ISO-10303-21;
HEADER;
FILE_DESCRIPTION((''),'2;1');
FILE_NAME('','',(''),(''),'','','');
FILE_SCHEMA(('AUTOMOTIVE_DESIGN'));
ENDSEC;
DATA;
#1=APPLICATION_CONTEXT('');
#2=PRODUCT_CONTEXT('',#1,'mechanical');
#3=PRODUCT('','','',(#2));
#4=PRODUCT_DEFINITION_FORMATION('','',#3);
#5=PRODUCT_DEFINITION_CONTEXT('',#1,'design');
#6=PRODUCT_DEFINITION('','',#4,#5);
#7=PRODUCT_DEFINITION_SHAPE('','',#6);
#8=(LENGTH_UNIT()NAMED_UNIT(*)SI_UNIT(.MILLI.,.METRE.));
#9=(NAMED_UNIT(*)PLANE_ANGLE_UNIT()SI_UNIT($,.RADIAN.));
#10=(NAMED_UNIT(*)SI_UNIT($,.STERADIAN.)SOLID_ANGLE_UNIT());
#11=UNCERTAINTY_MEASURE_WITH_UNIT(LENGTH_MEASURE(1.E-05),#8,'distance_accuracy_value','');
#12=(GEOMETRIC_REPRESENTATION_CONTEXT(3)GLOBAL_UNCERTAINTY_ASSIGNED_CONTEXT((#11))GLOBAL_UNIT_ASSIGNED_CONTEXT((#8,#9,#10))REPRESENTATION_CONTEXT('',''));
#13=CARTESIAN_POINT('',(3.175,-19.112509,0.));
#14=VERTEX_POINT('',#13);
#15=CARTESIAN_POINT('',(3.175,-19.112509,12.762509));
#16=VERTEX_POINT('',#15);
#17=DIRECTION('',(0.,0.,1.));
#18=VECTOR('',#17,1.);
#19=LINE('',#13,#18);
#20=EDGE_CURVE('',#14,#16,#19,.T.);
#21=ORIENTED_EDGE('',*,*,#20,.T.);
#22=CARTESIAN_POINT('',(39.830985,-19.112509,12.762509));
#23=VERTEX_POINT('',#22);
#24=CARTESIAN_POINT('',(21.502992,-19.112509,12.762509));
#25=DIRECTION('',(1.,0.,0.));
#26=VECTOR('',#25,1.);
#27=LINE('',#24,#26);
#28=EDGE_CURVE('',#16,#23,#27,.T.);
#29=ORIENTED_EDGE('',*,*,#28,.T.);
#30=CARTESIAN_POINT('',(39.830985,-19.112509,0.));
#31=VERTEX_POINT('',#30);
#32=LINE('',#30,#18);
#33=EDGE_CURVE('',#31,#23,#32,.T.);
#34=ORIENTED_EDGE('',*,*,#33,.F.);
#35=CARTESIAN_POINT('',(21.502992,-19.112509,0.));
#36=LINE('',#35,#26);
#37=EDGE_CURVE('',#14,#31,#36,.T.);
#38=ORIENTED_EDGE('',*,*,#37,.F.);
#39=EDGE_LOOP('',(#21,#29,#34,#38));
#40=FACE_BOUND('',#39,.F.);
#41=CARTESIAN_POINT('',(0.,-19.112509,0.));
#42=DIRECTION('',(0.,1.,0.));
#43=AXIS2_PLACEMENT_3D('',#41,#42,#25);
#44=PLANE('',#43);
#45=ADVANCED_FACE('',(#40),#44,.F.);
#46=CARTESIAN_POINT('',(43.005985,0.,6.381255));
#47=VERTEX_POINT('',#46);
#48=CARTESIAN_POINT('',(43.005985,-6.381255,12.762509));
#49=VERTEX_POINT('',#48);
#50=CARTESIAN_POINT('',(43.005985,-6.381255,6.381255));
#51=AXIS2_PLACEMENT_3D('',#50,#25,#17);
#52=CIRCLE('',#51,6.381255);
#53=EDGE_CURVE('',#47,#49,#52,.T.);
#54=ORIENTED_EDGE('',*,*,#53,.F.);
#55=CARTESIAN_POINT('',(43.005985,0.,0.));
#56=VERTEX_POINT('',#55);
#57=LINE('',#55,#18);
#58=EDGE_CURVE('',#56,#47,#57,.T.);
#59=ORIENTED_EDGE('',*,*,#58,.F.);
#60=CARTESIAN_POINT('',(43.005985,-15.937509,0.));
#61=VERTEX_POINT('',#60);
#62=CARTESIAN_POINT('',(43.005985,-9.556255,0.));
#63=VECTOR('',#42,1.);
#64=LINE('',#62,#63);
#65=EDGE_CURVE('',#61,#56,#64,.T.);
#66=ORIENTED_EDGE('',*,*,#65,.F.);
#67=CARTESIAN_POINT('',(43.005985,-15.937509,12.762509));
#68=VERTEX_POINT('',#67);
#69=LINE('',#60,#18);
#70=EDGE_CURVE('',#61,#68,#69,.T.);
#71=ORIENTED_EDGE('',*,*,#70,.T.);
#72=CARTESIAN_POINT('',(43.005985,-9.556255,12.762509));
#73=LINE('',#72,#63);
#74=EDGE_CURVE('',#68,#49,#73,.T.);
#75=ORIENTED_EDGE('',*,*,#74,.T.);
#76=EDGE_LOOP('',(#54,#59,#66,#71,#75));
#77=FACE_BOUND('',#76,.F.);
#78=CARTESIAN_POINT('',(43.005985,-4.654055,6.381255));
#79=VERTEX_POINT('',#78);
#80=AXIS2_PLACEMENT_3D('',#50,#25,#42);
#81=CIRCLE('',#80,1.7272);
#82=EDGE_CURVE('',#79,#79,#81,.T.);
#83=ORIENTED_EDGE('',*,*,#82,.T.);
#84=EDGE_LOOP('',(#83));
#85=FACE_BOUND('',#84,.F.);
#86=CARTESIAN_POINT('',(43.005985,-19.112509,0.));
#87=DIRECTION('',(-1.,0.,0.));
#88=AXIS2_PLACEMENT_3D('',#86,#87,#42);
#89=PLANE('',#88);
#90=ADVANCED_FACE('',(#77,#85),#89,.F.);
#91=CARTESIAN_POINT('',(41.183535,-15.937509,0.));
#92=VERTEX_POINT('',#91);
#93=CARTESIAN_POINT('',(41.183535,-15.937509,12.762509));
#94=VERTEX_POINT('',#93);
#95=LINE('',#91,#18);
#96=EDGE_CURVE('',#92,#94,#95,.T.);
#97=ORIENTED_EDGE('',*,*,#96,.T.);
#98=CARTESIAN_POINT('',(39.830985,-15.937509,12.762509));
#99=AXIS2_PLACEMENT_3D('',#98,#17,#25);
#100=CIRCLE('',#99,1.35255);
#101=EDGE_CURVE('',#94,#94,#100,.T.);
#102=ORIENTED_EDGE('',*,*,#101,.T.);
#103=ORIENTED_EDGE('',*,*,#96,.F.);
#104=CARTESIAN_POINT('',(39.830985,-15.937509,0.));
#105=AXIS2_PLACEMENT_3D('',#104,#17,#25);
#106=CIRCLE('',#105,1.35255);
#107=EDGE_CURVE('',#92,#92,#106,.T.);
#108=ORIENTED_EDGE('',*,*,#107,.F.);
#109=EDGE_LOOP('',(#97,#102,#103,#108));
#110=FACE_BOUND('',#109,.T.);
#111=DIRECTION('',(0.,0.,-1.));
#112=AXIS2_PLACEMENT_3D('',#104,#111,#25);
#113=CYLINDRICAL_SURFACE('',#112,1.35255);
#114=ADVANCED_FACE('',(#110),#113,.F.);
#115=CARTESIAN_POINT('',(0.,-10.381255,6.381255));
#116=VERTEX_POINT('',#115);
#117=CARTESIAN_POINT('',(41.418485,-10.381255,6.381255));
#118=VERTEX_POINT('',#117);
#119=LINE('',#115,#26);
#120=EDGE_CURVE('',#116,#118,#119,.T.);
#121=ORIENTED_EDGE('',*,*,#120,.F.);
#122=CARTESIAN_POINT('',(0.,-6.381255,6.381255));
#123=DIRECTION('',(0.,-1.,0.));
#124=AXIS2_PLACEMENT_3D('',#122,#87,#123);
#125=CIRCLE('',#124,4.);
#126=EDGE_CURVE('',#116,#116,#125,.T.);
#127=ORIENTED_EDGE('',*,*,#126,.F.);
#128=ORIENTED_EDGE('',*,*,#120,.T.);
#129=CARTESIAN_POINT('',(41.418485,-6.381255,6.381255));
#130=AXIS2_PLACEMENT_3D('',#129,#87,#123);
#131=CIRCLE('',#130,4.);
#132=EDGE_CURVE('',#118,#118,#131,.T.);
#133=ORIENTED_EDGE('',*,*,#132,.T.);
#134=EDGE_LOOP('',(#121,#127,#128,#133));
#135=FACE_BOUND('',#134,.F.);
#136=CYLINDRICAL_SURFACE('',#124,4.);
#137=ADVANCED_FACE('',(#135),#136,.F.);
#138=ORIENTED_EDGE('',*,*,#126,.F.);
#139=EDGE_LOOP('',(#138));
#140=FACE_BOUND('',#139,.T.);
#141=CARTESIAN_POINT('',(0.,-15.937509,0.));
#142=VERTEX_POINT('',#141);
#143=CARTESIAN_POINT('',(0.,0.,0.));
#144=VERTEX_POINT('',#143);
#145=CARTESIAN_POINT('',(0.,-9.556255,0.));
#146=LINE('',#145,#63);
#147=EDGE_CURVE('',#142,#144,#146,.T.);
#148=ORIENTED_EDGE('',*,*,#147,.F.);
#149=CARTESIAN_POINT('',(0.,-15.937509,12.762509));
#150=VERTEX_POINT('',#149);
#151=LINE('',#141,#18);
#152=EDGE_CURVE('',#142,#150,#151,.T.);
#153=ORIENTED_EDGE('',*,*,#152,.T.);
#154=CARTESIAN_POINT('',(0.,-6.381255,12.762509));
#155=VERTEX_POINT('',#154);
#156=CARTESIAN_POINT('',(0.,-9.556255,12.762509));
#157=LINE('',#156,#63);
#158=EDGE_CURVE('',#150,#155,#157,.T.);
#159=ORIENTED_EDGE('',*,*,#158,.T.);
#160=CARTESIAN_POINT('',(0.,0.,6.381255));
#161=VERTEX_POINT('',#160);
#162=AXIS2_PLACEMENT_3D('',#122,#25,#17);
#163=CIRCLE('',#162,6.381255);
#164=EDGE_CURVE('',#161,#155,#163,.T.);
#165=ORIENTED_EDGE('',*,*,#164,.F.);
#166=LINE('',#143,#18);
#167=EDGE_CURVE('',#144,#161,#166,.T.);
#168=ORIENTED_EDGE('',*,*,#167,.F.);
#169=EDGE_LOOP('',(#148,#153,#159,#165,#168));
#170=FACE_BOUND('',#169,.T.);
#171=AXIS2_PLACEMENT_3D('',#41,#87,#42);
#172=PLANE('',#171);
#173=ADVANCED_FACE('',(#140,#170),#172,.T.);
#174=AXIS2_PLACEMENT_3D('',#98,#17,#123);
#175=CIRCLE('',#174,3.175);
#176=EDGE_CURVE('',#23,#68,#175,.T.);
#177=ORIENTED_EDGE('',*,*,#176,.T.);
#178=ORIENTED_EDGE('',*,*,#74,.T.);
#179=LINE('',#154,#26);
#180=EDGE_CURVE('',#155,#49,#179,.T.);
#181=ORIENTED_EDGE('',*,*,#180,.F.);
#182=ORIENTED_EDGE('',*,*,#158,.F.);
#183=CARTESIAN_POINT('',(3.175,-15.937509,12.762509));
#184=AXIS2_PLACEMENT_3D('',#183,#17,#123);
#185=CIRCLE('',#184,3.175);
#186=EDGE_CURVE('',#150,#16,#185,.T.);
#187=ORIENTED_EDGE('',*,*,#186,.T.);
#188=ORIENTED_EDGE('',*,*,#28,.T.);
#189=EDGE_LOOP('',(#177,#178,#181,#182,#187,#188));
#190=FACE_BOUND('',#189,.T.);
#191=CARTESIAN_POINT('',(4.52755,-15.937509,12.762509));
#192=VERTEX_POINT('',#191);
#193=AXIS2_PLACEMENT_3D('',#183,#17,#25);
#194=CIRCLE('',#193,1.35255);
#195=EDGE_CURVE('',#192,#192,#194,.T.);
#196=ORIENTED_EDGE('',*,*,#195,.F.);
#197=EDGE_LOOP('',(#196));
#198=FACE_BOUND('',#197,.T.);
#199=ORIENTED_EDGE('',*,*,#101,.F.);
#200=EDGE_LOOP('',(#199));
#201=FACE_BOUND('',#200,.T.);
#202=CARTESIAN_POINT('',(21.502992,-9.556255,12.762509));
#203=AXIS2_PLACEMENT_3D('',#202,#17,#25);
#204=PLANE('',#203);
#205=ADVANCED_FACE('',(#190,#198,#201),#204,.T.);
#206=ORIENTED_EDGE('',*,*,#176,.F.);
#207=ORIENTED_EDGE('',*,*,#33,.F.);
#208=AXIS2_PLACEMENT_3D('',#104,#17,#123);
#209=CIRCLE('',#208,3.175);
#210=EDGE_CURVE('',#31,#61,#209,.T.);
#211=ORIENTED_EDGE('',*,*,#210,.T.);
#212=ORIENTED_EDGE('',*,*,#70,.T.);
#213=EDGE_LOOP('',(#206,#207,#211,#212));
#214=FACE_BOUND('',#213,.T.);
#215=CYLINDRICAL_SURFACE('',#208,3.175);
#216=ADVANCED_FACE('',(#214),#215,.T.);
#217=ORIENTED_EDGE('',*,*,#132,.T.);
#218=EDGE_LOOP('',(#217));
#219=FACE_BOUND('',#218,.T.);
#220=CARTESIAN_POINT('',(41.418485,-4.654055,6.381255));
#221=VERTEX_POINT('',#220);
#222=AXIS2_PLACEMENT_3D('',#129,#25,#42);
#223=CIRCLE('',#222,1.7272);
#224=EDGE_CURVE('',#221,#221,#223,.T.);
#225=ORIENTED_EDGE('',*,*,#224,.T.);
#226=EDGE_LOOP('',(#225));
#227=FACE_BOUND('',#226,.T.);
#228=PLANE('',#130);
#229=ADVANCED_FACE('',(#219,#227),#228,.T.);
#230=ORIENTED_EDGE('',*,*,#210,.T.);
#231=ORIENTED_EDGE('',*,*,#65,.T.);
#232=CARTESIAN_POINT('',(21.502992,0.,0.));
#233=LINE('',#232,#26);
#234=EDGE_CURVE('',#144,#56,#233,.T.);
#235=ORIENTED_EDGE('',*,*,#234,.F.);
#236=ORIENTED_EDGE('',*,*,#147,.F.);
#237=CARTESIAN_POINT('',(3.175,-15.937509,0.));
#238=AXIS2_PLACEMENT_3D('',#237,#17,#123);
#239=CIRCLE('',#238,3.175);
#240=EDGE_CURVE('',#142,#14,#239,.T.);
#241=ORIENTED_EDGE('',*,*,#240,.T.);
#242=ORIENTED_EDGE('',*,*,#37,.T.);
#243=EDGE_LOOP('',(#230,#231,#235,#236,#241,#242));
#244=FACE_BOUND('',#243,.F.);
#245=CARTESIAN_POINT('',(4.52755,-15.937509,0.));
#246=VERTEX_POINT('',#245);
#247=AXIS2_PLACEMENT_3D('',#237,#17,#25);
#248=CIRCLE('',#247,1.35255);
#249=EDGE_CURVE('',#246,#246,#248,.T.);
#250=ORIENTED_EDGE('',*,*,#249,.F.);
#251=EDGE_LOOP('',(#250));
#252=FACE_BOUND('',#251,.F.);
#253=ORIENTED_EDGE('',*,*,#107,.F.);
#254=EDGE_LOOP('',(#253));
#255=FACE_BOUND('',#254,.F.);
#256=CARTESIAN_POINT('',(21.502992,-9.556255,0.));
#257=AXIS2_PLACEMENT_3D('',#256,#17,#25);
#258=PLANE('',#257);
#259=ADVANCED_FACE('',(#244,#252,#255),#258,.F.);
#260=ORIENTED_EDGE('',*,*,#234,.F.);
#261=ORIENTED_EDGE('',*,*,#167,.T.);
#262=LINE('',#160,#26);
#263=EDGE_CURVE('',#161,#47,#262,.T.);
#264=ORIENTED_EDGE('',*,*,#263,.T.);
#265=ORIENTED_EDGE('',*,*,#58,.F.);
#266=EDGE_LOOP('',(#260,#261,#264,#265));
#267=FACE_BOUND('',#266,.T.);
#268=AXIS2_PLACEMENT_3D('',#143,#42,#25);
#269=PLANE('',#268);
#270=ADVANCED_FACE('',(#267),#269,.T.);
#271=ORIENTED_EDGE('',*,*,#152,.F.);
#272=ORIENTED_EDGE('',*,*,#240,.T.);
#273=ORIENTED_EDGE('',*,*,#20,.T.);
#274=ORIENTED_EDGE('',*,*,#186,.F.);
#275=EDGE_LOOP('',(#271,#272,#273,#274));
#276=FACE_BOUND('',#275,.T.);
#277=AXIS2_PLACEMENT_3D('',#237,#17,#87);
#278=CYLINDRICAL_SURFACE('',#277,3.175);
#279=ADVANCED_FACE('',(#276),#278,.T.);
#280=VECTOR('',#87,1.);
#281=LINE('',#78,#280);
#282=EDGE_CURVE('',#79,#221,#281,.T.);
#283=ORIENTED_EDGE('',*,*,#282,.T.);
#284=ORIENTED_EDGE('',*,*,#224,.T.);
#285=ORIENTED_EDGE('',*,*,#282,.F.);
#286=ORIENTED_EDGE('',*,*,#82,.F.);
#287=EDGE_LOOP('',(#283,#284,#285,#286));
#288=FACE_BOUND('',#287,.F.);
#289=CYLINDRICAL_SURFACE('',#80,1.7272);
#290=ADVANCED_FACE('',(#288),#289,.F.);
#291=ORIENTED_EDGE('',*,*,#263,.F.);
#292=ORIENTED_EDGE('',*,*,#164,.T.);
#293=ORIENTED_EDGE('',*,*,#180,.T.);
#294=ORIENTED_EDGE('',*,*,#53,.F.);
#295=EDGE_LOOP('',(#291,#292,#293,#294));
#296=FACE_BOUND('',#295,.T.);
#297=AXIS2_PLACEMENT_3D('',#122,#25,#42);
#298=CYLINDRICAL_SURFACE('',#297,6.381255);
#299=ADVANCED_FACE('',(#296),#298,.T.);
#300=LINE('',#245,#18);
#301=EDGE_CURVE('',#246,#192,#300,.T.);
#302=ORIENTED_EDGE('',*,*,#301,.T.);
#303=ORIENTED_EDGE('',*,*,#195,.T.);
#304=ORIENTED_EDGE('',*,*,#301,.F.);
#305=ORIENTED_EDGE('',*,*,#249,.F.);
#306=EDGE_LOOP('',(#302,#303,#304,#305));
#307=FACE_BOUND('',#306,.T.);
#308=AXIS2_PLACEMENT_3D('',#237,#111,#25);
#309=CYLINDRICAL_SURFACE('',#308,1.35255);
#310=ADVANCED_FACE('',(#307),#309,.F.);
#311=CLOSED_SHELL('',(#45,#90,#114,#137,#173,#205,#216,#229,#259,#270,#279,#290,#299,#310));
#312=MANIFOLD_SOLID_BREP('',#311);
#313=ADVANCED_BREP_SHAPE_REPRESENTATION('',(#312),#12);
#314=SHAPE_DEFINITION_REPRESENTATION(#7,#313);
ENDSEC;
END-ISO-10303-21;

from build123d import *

# Parameters (mm, degrees)
F0_W     = 43.0059846
F0_H     = 19.1125094
F0_R     = 1.35255
F1_DEPTH = 12.7625094
F2_R     = 3.175
F3_R     = 6.3812547
F4_R     = 1.7272
F5_DEPTH = 43.0059846
F6_R     = 4
F6_R_2   = 1.7272
F8_DEPTH = 41.4184846


with BuildPart() as f1:
    # F0 (on Top) → F1 (new body)
    with BuildSketch(Plane.XY):
        with Locations((21.5029923, -9.5562547)):
            Rectangle(F0_W, F0_H)
        with Locations((3.175, -15.9375094)):
            Circle(F0_R, mode=Mode.SUBTRACT)
        with Locations((39.8309846, -15.9375094)):
            Circle(F0_R, mode=Mode.SUBTRACT)
    extrude(amount=F1_DEPTH)

    # F2
    f2_edges = [f1.edges().sort_by_distance(p)[0] for p in [
        (43.005985, -19.112509, 6.381255),
        (0, -19.112509, 6.381255),
    ]]
    fillet(f2_edges, radius=F2_R)

    # F3
    f3_edges = [f1.edges().sort_by_distance(p)[0] for p in [
        (21.502992, 0, 12.762509),
    ]]
    fillet(f3_edges, radius=F3_R)

    # F4 (on face) → F5 (cut, through all)
    with BuildSketch(Plane.YZ.offset(43.0059846)):
        with Locations((-6.3812547, 6.3812547)):
            Circle(F4_R)
    extrude(amount=-F5_DEPTH, mode=Mode.SUBTRACT)

    # F6 (on face) → F8 (cut, through all)
    with BuildSketch(Plane(origin=(0, 0, 0), x_dir=(0, -1, 0), z_dir=(-1, 0, 0))):
        with Locations((6.3812547, 6.3812547)):
            Circle(F6_R)
        with Locations((6.3812547, 6.3812547)):
            Circle(F6_R_2, mode=Mode.SUBTRACT)
    extrude(amount=-F8_DEPTH, mode=Mode.SUBTRACT)


solid = f1.part
